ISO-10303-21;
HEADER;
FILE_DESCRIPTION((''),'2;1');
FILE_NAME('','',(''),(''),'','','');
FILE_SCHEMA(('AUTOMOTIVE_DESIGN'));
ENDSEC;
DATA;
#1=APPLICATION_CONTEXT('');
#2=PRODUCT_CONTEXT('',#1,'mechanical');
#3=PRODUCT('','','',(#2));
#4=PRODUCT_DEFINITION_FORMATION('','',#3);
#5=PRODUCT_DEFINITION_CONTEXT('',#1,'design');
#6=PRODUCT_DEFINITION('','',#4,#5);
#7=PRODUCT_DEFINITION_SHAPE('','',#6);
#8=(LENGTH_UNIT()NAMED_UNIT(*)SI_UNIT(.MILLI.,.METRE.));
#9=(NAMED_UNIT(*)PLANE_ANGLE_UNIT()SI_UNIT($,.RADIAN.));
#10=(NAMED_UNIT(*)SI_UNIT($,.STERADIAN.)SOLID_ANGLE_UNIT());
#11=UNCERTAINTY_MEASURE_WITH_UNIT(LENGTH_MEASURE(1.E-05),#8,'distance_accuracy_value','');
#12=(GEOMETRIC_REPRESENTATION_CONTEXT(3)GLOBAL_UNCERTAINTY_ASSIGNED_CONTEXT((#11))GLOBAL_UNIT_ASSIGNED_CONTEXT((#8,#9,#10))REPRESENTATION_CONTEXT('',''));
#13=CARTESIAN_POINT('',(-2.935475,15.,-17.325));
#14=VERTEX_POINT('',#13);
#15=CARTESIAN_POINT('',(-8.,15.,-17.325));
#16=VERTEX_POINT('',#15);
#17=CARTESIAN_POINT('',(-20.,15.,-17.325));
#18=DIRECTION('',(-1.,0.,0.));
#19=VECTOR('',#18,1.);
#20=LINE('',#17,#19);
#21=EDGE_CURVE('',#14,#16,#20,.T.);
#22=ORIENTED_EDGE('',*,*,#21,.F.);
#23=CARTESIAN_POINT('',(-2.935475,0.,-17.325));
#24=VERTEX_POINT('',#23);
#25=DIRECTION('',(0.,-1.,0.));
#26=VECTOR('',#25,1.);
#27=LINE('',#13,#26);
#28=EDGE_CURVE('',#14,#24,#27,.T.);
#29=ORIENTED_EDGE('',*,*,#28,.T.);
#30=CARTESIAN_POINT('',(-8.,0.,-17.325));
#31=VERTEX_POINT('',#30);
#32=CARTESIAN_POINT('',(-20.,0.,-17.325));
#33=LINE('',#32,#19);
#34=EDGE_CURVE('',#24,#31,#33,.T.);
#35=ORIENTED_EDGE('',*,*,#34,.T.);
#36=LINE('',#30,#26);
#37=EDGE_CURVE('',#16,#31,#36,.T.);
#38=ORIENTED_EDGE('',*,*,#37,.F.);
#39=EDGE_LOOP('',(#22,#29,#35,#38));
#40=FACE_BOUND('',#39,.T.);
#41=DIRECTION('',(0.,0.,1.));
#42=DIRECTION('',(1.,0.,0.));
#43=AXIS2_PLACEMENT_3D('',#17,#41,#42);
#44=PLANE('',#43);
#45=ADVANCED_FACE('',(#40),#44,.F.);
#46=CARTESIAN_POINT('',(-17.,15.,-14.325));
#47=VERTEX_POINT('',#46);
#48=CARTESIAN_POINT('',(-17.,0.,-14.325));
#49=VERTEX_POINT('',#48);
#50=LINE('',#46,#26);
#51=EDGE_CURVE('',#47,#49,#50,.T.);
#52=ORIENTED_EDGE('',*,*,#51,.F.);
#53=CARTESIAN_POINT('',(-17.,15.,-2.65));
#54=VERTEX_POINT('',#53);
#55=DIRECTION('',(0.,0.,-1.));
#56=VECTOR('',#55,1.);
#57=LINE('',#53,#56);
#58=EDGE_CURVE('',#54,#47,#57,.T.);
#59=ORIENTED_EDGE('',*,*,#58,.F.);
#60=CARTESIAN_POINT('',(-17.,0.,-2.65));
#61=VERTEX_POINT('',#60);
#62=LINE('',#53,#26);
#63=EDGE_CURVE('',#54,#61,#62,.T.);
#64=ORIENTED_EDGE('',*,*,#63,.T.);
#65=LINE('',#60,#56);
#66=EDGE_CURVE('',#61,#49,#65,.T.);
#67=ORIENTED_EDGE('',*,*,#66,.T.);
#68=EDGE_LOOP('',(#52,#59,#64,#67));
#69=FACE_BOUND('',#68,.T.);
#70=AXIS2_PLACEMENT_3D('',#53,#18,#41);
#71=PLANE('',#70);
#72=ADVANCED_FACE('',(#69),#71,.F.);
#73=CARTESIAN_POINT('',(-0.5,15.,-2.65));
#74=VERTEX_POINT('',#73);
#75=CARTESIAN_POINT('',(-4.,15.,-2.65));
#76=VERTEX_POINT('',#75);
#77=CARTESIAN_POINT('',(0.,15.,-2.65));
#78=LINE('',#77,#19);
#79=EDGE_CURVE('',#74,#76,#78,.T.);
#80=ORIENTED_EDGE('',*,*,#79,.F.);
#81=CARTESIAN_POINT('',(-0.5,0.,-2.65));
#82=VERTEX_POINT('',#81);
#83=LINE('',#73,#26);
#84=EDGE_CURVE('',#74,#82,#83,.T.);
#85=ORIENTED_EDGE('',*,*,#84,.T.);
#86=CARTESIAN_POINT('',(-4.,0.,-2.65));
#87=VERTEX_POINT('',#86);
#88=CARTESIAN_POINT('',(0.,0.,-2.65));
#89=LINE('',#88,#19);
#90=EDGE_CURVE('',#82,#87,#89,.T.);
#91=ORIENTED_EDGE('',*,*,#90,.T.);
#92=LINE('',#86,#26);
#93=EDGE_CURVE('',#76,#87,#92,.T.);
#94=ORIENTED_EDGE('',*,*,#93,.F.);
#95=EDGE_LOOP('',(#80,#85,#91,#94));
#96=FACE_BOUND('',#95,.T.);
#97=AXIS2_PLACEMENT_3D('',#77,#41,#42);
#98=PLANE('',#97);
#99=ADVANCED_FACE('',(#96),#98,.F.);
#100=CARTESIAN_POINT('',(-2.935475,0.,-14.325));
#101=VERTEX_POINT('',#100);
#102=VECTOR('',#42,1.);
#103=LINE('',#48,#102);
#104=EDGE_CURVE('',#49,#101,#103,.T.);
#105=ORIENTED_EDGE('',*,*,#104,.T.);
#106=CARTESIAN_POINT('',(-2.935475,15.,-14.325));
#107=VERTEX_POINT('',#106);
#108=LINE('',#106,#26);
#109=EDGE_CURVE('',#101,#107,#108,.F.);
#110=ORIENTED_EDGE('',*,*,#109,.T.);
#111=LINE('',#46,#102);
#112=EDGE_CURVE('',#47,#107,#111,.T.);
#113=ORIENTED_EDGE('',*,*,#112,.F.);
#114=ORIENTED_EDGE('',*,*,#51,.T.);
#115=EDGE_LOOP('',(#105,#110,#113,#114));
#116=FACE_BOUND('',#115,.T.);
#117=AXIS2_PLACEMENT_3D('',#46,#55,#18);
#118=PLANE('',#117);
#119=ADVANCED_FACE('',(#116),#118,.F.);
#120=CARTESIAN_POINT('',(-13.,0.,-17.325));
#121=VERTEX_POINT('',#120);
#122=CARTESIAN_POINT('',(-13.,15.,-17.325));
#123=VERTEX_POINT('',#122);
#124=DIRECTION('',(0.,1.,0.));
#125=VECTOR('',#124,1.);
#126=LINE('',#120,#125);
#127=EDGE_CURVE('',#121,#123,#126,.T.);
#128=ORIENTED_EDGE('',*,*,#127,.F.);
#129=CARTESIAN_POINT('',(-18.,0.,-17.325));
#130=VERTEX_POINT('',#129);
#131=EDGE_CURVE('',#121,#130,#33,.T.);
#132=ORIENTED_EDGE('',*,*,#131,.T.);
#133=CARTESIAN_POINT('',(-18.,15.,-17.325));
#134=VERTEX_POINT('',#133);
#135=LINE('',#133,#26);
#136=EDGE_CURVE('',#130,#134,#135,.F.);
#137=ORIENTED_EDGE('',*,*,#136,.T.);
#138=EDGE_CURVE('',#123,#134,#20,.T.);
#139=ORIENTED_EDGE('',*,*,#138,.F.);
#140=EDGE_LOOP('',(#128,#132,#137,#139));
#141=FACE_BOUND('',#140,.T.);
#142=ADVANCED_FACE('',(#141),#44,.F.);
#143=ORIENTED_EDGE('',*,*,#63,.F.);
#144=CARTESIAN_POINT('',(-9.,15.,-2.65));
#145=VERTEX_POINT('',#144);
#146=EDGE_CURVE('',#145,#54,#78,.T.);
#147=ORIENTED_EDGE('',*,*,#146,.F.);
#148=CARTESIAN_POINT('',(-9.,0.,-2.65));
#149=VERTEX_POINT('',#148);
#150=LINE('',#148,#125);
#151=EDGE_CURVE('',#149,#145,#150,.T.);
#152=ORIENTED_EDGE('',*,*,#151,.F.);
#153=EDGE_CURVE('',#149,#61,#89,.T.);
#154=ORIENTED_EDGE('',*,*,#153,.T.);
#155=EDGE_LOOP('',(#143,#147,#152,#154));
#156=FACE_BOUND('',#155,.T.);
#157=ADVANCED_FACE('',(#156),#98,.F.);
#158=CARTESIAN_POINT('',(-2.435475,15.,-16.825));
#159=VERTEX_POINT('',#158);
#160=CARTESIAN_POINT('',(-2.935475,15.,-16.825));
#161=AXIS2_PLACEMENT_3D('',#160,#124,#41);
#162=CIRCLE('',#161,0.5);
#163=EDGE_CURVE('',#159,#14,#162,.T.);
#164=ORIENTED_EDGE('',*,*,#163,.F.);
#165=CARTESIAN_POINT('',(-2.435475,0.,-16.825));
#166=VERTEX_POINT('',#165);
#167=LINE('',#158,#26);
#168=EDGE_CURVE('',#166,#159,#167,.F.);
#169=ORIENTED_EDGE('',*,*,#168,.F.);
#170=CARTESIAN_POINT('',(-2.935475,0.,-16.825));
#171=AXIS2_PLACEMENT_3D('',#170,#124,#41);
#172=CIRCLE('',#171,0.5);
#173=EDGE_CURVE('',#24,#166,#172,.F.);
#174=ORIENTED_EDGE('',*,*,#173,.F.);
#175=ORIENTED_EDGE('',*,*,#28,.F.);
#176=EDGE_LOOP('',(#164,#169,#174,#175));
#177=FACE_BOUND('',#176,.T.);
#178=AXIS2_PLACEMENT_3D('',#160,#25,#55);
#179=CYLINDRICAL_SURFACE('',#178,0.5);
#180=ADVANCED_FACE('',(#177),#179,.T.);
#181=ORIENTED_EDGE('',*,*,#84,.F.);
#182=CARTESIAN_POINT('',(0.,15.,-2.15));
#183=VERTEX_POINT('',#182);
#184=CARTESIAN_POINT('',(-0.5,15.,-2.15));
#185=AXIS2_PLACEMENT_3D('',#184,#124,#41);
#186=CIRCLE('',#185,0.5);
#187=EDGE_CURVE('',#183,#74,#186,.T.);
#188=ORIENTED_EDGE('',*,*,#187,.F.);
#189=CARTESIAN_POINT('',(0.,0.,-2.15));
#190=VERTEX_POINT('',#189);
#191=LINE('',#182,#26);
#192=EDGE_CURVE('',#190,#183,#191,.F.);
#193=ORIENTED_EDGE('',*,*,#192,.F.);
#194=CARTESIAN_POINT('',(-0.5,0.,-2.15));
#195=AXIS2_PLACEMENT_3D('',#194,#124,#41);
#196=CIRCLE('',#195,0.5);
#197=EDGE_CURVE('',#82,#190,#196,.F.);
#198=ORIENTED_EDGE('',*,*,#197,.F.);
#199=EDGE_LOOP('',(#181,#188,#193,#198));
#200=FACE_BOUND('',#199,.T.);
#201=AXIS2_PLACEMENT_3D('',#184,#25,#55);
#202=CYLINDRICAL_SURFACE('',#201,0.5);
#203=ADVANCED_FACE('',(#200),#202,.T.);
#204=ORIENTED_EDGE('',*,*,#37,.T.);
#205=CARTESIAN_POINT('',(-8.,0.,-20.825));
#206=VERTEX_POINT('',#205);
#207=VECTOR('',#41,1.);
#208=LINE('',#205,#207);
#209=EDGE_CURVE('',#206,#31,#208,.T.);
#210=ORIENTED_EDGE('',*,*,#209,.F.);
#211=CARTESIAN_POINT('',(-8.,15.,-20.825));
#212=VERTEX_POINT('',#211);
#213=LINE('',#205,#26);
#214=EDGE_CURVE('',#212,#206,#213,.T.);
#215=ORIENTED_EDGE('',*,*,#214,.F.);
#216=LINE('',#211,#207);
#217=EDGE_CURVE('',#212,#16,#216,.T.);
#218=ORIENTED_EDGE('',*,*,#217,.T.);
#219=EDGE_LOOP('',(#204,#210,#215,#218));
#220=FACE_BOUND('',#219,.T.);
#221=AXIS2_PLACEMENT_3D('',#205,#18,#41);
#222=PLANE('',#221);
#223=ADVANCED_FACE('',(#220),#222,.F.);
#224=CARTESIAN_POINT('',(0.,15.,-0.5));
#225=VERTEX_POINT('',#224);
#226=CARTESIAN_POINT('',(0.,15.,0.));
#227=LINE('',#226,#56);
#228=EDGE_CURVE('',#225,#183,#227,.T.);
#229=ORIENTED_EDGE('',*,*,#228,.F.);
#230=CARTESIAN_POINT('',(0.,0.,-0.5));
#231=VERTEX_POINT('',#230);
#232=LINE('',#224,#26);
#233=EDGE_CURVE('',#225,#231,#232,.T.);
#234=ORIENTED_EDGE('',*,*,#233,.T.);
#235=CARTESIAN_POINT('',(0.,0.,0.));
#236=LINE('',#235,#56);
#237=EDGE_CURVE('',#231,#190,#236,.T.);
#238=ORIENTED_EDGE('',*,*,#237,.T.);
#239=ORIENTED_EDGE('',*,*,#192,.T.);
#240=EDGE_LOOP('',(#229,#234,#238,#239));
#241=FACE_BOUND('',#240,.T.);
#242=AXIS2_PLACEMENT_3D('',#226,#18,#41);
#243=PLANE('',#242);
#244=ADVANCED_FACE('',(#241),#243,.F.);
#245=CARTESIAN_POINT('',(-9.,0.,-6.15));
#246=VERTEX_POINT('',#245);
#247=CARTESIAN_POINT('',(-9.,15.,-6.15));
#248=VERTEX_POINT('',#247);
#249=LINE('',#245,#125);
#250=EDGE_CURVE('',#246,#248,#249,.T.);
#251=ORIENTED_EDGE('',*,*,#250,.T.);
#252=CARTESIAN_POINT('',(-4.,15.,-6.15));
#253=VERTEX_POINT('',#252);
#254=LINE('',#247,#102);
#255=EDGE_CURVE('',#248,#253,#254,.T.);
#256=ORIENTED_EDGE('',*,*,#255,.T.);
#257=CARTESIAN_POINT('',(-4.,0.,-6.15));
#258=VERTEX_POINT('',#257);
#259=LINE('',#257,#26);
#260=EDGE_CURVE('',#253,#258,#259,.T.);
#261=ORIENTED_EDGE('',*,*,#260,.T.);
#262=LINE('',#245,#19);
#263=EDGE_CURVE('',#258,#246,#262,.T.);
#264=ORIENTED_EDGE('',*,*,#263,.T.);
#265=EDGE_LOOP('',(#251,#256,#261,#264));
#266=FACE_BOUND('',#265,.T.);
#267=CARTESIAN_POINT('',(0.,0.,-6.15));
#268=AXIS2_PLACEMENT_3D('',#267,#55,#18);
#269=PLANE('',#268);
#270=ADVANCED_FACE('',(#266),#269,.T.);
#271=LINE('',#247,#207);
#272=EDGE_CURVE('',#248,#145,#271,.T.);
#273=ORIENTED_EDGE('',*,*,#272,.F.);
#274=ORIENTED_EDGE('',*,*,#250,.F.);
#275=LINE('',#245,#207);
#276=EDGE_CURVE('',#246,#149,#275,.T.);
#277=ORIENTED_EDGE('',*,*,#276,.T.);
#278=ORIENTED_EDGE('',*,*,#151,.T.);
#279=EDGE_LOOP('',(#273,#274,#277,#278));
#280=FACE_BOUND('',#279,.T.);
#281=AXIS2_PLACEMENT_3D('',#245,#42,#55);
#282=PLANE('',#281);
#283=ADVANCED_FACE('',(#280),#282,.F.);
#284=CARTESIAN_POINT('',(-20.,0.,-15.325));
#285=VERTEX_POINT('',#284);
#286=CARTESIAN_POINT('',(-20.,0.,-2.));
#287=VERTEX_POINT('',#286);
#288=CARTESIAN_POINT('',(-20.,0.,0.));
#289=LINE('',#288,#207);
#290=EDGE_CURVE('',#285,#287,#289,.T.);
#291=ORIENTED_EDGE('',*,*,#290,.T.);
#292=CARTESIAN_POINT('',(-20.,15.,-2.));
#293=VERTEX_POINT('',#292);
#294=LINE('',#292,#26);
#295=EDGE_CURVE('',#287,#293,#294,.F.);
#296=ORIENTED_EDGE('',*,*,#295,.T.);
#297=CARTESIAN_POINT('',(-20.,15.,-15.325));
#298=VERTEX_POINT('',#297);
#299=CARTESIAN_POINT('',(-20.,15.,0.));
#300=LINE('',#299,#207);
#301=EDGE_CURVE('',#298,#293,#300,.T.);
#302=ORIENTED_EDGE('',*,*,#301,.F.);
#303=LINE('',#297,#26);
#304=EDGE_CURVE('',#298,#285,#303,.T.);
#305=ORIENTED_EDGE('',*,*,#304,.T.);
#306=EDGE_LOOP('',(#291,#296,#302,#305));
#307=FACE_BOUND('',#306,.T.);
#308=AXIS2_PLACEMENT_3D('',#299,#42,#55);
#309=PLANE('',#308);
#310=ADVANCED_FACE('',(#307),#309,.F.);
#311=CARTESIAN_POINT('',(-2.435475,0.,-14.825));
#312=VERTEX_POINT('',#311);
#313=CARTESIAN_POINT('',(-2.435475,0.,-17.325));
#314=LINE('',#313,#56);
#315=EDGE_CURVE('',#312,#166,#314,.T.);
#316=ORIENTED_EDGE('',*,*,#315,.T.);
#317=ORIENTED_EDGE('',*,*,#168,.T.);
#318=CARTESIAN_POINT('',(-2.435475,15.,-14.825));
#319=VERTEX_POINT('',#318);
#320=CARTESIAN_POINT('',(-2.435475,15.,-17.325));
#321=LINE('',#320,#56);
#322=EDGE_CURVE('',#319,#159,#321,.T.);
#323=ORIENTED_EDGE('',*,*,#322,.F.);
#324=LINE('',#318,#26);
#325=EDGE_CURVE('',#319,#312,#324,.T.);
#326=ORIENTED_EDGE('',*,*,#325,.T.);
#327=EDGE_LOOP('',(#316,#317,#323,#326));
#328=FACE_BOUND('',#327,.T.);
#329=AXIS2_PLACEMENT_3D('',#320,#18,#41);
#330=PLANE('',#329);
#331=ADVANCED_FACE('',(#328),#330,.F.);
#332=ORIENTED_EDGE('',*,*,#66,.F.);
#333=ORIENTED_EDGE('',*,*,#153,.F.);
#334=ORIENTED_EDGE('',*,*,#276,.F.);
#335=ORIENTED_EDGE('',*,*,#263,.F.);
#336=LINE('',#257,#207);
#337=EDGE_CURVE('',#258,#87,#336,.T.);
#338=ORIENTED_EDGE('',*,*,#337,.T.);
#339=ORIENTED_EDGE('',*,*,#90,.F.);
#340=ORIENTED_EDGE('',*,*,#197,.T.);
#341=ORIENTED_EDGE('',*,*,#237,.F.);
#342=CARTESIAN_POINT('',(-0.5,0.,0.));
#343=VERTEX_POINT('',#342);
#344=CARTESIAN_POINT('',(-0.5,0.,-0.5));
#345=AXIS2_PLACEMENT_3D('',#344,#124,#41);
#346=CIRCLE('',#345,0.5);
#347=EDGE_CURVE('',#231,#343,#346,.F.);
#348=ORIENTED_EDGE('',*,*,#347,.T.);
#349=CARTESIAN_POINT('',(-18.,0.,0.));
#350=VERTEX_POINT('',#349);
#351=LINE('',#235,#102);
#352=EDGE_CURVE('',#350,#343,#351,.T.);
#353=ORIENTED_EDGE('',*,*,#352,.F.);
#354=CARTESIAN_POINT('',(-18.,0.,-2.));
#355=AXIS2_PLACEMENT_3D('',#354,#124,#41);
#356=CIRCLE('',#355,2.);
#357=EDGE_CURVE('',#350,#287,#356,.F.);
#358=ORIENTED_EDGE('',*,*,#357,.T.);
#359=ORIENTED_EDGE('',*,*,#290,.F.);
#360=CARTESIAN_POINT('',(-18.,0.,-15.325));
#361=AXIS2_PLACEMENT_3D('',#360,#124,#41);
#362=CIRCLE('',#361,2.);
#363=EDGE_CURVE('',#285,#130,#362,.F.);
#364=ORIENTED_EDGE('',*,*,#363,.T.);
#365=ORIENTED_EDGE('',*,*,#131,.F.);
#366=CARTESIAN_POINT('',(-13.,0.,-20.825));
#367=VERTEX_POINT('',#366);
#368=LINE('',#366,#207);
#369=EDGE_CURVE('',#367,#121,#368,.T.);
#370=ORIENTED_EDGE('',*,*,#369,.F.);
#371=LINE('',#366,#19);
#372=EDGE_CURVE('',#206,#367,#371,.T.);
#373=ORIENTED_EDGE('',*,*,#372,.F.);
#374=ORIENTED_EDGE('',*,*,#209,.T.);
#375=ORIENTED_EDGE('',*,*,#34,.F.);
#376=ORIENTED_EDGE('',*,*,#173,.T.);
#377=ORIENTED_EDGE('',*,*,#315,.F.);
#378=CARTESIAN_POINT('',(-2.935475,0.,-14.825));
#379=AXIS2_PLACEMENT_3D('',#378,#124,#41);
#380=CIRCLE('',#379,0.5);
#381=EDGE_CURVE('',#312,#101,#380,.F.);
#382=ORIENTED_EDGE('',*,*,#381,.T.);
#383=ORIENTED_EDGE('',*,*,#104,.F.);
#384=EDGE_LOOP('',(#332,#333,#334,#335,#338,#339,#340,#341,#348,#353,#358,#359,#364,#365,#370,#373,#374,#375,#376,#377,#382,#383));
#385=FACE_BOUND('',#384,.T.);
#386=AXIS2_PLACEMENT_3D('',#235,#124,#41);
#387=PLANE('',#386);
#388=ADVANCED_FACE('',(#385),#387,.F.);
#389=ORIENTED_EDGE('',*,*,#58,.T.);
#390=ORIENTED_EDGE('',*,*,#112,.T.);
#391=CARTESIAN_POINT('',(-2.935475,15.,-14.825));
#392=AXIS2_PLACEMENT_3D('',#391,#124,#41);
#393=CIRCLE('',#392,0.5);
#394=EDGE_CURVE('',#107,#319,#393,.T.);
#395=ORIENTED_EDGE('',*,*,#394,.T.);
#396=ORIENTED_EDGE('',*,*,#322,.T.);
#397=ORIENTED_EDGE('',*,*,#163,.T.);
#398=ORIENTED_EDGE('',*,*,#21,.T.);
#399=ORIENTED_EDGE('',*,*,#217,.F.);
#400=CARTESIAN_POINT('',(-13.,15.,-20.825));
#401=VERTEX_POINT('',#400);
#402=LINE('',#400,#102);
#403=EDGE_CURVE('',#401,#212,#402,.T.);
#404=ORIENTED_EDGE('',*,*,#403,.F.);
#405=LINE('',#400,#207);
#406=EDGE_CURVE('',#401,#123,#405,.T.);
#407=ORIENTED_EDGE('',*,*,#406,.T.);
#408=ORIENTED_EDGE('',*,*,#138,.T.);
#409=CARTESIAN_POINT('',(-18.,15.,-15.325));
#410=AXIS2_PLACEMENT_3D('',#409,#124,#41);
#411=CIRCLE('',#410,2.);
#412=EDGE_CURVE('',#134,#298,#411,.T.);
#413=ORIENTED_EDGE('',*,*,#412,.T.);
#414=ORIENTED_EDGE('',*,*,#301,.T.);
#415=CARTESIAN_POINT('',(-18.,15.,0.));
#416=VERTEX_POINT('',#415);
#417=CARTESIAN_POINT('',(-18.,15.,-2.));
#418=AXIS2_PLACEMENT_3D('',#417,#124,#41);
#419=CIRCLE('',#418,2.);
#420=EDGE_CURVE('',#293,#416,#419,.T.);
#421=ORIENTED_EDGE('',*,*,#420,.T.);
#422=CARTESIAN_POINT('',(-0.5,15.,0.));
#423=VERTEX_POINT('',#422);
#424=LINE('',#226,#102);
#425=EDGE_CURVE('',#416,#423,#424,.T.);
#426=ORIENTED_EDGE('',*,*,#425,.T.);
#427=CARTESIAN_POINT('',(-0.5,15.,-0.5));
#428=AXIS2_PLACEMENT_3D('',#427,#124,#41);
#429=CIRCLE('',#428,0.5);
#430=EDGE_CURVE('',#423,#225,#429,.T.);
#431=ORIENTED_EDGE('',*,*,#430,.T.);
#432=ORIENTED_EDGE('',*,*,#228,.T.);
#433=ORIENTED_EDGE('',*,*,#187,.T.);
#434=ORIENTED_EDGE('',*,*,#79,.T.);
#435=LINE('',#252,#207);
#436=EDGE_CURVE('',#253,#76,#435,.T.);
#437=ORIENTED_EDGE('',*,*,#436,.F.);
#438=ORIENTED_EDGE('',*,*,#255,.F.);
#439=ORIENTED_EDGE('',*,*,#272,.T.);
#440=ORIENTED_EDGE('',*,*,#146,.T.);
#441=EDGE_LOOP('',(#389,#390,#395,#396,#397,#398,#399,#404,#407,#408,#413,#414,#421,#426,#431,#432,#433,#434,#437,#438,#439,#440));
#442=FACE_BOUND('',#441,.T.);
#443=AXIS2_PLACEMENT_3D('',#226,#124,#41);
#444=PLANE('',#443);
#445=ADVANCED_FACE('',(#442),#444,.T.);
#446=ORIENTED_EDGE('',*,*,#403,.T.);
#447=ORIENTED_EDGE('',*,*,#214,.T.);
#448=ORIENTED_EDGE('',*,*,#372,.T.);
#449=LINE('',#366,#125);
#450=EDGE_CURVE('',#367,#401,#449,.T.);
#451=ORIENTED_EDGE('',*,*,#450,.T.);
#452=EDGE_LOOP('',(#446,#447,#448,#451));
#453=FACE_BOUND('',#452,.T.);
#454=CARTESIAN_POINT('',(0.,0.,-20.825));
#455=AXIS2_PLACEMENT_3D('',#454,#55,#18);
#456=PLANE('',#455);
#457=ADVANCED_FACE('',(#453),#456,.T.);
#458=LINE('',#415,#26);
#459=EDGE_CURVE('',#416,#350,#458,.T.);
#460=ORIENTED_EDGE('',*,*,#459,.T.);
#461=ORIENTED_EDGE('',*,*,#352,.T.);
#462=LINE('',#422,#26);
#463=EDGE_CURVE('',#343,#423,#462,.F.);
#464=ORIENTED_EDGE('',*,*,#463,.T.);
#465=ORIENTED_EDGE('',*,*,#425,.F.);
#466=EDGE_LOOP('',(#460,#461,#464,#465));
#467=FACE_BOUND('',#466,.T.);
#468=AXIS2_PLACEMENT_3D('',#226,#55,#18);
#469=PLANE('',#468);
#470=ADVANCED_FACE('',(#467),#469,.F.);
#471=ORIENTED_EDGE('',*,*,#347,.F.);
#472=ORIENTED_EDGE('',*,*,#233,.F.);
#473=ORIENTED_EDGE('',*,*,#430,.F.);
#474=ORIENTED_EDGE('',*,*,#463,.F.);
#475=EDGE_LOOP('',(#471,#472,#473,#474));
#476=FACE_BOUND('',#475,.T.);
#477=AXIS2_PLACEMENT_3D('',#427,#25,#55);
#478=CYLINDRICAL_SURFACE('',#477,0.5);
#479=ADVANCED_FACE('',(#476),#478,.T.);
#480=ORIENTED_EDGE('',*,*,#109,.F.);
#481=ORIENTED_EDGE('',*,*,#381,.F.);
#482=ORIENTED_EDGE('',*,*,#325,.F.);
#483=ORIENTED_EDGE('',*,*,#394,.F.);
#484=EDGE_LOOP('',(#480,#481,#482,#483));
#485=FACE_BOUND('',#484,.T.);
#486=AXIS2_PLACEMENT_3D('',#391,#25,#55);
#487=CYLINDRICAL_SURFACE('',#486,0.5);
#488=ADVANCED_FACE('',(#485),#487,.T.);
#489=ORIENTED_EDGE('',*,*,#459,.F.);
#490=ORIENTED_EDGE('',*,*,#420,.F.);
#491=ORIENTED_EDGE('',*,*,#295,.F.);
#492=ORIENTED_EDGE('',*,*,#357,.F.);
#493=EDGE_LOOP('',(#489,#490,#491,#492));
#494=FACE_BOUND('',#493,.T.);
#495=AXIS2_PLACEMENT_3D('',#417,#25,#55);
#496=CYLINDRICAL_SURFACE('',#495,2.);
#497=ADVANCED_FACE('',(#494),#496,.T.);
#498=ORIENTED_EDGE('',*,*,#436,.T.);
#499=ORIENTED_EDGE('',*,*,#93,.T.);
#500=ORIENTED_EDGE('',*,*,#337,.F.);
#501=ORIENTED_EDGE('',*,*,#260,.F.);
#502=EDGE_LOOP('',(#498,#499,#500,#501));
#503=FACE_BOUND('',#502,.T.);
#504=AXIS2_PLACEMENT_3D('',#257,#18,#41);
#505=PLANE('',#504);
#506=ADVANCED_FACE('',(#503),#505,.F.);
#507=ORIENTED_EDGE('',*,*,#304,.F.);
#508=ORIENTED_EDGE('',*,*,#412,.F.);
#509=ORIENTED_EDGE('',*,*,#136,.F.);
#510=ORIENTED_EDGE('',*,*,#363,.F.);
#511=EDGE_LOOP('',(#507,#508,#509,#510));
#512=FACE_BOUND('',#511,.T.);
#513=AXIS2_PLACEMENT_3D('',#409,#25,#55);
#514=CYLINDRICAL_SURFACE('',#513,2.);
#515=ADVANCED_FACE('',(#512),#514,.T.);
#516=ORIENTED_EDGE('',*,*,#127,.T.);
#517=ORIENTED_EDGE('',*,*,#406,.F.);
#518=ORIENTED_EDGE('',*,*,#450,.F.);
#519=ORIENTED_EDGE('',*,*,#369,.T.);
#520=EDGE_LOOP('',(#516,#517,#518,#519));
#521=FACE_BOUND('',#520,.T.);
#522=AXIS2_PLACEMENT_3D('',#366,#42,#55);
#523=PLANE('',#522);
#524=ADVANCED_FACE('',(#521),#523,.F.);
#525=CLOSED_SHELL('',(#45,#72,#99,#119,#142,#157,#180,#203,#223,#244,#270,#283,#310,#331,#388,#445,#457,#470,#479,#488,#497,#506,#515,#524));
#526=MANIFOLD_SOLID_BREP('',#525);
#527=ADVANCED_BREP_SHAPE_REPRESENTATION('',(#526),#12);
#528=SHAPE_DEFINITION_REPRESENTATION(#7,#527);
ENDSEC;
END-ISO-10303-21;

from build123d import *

# Parameters (mm, degrees)
BOSS_EXTRUDE1_DEPTH = 15
SKETCH2_W           = 5
SKETCH2_H           = 15
BOSS_EXTRUDE2_DEPTH = 3.5
SKETCH3_W           = 5
SKETCH3_H           = 15
BOSS_EXTRUDE3_DEPTH = 3.5
FILLET1_R           = 2
FILLET2_R           = 0.5


with BuildPart() as part:
    # Sketch1 → Boss-Extrude1 (new body)
    with BuildSketch(Plane(origin=(0, 0, 0), x_dir=(1, 0, 0), z_dir=(0, 1, 0))):
        Polygon((0, 0), (-20, 0), (-20, 17.325), (-2.435474502, 17.325), (-2.435474502, 14.325), (-17, 14.325), (-17, 2.65), (0, 2.65), align=None)
    extrude(amount=BOSS_EXTRUDE1_DEPTH)

    # Sketch2 → Boss-Extrude2 (add)
    with BuildSketch(Plane(origin=(0, 0, -2.65), x_dir=(-1, 0, 0), z_dir=(0, 0, -1))):
        with Locations((6.5, 7.5)):
            Rectangle(SKETCH2_W, SKETCH2_H)
    extrude(amount=BOSS_EXTRUDE2_DEPTH)

    # Sketch3 → Boss-Extrude3 (add)
    with BuildSketch(Plane(origin=(0, 0, -17.325), x_dir=(-1, 0, 0), z_dir=(0, 0, -1))):
        with Locations((10.5, 7.5)):
            Rectangle(SKETCH3_W, SKETCH3_H)
    extrude(amount=BOSS_EXTRUDE3_DEPTH)

    # Fillet1
    fillet1_edges = [part.edges().sort_by_distance(p)[0] for p in [
        (-20, 7.5, 0),
        (-20, 7.5, -17.325),
    ]]
    fillet(fillet1_edges, radius=FILLET1_R)

    # Fillet2
    fillet2_edges = [part.edges().sort_by_distance(p)[0] for p in [
        (0, 7.5, 0),
        (-2.435474502, 7.5, -17.325),
        (-2.435474502, 7.5, -14.325),
        (0, 7.5, -2.65),
    ]]
    fillet(fillet2_edges, radius=FILLET2_R)


solid = part.part
